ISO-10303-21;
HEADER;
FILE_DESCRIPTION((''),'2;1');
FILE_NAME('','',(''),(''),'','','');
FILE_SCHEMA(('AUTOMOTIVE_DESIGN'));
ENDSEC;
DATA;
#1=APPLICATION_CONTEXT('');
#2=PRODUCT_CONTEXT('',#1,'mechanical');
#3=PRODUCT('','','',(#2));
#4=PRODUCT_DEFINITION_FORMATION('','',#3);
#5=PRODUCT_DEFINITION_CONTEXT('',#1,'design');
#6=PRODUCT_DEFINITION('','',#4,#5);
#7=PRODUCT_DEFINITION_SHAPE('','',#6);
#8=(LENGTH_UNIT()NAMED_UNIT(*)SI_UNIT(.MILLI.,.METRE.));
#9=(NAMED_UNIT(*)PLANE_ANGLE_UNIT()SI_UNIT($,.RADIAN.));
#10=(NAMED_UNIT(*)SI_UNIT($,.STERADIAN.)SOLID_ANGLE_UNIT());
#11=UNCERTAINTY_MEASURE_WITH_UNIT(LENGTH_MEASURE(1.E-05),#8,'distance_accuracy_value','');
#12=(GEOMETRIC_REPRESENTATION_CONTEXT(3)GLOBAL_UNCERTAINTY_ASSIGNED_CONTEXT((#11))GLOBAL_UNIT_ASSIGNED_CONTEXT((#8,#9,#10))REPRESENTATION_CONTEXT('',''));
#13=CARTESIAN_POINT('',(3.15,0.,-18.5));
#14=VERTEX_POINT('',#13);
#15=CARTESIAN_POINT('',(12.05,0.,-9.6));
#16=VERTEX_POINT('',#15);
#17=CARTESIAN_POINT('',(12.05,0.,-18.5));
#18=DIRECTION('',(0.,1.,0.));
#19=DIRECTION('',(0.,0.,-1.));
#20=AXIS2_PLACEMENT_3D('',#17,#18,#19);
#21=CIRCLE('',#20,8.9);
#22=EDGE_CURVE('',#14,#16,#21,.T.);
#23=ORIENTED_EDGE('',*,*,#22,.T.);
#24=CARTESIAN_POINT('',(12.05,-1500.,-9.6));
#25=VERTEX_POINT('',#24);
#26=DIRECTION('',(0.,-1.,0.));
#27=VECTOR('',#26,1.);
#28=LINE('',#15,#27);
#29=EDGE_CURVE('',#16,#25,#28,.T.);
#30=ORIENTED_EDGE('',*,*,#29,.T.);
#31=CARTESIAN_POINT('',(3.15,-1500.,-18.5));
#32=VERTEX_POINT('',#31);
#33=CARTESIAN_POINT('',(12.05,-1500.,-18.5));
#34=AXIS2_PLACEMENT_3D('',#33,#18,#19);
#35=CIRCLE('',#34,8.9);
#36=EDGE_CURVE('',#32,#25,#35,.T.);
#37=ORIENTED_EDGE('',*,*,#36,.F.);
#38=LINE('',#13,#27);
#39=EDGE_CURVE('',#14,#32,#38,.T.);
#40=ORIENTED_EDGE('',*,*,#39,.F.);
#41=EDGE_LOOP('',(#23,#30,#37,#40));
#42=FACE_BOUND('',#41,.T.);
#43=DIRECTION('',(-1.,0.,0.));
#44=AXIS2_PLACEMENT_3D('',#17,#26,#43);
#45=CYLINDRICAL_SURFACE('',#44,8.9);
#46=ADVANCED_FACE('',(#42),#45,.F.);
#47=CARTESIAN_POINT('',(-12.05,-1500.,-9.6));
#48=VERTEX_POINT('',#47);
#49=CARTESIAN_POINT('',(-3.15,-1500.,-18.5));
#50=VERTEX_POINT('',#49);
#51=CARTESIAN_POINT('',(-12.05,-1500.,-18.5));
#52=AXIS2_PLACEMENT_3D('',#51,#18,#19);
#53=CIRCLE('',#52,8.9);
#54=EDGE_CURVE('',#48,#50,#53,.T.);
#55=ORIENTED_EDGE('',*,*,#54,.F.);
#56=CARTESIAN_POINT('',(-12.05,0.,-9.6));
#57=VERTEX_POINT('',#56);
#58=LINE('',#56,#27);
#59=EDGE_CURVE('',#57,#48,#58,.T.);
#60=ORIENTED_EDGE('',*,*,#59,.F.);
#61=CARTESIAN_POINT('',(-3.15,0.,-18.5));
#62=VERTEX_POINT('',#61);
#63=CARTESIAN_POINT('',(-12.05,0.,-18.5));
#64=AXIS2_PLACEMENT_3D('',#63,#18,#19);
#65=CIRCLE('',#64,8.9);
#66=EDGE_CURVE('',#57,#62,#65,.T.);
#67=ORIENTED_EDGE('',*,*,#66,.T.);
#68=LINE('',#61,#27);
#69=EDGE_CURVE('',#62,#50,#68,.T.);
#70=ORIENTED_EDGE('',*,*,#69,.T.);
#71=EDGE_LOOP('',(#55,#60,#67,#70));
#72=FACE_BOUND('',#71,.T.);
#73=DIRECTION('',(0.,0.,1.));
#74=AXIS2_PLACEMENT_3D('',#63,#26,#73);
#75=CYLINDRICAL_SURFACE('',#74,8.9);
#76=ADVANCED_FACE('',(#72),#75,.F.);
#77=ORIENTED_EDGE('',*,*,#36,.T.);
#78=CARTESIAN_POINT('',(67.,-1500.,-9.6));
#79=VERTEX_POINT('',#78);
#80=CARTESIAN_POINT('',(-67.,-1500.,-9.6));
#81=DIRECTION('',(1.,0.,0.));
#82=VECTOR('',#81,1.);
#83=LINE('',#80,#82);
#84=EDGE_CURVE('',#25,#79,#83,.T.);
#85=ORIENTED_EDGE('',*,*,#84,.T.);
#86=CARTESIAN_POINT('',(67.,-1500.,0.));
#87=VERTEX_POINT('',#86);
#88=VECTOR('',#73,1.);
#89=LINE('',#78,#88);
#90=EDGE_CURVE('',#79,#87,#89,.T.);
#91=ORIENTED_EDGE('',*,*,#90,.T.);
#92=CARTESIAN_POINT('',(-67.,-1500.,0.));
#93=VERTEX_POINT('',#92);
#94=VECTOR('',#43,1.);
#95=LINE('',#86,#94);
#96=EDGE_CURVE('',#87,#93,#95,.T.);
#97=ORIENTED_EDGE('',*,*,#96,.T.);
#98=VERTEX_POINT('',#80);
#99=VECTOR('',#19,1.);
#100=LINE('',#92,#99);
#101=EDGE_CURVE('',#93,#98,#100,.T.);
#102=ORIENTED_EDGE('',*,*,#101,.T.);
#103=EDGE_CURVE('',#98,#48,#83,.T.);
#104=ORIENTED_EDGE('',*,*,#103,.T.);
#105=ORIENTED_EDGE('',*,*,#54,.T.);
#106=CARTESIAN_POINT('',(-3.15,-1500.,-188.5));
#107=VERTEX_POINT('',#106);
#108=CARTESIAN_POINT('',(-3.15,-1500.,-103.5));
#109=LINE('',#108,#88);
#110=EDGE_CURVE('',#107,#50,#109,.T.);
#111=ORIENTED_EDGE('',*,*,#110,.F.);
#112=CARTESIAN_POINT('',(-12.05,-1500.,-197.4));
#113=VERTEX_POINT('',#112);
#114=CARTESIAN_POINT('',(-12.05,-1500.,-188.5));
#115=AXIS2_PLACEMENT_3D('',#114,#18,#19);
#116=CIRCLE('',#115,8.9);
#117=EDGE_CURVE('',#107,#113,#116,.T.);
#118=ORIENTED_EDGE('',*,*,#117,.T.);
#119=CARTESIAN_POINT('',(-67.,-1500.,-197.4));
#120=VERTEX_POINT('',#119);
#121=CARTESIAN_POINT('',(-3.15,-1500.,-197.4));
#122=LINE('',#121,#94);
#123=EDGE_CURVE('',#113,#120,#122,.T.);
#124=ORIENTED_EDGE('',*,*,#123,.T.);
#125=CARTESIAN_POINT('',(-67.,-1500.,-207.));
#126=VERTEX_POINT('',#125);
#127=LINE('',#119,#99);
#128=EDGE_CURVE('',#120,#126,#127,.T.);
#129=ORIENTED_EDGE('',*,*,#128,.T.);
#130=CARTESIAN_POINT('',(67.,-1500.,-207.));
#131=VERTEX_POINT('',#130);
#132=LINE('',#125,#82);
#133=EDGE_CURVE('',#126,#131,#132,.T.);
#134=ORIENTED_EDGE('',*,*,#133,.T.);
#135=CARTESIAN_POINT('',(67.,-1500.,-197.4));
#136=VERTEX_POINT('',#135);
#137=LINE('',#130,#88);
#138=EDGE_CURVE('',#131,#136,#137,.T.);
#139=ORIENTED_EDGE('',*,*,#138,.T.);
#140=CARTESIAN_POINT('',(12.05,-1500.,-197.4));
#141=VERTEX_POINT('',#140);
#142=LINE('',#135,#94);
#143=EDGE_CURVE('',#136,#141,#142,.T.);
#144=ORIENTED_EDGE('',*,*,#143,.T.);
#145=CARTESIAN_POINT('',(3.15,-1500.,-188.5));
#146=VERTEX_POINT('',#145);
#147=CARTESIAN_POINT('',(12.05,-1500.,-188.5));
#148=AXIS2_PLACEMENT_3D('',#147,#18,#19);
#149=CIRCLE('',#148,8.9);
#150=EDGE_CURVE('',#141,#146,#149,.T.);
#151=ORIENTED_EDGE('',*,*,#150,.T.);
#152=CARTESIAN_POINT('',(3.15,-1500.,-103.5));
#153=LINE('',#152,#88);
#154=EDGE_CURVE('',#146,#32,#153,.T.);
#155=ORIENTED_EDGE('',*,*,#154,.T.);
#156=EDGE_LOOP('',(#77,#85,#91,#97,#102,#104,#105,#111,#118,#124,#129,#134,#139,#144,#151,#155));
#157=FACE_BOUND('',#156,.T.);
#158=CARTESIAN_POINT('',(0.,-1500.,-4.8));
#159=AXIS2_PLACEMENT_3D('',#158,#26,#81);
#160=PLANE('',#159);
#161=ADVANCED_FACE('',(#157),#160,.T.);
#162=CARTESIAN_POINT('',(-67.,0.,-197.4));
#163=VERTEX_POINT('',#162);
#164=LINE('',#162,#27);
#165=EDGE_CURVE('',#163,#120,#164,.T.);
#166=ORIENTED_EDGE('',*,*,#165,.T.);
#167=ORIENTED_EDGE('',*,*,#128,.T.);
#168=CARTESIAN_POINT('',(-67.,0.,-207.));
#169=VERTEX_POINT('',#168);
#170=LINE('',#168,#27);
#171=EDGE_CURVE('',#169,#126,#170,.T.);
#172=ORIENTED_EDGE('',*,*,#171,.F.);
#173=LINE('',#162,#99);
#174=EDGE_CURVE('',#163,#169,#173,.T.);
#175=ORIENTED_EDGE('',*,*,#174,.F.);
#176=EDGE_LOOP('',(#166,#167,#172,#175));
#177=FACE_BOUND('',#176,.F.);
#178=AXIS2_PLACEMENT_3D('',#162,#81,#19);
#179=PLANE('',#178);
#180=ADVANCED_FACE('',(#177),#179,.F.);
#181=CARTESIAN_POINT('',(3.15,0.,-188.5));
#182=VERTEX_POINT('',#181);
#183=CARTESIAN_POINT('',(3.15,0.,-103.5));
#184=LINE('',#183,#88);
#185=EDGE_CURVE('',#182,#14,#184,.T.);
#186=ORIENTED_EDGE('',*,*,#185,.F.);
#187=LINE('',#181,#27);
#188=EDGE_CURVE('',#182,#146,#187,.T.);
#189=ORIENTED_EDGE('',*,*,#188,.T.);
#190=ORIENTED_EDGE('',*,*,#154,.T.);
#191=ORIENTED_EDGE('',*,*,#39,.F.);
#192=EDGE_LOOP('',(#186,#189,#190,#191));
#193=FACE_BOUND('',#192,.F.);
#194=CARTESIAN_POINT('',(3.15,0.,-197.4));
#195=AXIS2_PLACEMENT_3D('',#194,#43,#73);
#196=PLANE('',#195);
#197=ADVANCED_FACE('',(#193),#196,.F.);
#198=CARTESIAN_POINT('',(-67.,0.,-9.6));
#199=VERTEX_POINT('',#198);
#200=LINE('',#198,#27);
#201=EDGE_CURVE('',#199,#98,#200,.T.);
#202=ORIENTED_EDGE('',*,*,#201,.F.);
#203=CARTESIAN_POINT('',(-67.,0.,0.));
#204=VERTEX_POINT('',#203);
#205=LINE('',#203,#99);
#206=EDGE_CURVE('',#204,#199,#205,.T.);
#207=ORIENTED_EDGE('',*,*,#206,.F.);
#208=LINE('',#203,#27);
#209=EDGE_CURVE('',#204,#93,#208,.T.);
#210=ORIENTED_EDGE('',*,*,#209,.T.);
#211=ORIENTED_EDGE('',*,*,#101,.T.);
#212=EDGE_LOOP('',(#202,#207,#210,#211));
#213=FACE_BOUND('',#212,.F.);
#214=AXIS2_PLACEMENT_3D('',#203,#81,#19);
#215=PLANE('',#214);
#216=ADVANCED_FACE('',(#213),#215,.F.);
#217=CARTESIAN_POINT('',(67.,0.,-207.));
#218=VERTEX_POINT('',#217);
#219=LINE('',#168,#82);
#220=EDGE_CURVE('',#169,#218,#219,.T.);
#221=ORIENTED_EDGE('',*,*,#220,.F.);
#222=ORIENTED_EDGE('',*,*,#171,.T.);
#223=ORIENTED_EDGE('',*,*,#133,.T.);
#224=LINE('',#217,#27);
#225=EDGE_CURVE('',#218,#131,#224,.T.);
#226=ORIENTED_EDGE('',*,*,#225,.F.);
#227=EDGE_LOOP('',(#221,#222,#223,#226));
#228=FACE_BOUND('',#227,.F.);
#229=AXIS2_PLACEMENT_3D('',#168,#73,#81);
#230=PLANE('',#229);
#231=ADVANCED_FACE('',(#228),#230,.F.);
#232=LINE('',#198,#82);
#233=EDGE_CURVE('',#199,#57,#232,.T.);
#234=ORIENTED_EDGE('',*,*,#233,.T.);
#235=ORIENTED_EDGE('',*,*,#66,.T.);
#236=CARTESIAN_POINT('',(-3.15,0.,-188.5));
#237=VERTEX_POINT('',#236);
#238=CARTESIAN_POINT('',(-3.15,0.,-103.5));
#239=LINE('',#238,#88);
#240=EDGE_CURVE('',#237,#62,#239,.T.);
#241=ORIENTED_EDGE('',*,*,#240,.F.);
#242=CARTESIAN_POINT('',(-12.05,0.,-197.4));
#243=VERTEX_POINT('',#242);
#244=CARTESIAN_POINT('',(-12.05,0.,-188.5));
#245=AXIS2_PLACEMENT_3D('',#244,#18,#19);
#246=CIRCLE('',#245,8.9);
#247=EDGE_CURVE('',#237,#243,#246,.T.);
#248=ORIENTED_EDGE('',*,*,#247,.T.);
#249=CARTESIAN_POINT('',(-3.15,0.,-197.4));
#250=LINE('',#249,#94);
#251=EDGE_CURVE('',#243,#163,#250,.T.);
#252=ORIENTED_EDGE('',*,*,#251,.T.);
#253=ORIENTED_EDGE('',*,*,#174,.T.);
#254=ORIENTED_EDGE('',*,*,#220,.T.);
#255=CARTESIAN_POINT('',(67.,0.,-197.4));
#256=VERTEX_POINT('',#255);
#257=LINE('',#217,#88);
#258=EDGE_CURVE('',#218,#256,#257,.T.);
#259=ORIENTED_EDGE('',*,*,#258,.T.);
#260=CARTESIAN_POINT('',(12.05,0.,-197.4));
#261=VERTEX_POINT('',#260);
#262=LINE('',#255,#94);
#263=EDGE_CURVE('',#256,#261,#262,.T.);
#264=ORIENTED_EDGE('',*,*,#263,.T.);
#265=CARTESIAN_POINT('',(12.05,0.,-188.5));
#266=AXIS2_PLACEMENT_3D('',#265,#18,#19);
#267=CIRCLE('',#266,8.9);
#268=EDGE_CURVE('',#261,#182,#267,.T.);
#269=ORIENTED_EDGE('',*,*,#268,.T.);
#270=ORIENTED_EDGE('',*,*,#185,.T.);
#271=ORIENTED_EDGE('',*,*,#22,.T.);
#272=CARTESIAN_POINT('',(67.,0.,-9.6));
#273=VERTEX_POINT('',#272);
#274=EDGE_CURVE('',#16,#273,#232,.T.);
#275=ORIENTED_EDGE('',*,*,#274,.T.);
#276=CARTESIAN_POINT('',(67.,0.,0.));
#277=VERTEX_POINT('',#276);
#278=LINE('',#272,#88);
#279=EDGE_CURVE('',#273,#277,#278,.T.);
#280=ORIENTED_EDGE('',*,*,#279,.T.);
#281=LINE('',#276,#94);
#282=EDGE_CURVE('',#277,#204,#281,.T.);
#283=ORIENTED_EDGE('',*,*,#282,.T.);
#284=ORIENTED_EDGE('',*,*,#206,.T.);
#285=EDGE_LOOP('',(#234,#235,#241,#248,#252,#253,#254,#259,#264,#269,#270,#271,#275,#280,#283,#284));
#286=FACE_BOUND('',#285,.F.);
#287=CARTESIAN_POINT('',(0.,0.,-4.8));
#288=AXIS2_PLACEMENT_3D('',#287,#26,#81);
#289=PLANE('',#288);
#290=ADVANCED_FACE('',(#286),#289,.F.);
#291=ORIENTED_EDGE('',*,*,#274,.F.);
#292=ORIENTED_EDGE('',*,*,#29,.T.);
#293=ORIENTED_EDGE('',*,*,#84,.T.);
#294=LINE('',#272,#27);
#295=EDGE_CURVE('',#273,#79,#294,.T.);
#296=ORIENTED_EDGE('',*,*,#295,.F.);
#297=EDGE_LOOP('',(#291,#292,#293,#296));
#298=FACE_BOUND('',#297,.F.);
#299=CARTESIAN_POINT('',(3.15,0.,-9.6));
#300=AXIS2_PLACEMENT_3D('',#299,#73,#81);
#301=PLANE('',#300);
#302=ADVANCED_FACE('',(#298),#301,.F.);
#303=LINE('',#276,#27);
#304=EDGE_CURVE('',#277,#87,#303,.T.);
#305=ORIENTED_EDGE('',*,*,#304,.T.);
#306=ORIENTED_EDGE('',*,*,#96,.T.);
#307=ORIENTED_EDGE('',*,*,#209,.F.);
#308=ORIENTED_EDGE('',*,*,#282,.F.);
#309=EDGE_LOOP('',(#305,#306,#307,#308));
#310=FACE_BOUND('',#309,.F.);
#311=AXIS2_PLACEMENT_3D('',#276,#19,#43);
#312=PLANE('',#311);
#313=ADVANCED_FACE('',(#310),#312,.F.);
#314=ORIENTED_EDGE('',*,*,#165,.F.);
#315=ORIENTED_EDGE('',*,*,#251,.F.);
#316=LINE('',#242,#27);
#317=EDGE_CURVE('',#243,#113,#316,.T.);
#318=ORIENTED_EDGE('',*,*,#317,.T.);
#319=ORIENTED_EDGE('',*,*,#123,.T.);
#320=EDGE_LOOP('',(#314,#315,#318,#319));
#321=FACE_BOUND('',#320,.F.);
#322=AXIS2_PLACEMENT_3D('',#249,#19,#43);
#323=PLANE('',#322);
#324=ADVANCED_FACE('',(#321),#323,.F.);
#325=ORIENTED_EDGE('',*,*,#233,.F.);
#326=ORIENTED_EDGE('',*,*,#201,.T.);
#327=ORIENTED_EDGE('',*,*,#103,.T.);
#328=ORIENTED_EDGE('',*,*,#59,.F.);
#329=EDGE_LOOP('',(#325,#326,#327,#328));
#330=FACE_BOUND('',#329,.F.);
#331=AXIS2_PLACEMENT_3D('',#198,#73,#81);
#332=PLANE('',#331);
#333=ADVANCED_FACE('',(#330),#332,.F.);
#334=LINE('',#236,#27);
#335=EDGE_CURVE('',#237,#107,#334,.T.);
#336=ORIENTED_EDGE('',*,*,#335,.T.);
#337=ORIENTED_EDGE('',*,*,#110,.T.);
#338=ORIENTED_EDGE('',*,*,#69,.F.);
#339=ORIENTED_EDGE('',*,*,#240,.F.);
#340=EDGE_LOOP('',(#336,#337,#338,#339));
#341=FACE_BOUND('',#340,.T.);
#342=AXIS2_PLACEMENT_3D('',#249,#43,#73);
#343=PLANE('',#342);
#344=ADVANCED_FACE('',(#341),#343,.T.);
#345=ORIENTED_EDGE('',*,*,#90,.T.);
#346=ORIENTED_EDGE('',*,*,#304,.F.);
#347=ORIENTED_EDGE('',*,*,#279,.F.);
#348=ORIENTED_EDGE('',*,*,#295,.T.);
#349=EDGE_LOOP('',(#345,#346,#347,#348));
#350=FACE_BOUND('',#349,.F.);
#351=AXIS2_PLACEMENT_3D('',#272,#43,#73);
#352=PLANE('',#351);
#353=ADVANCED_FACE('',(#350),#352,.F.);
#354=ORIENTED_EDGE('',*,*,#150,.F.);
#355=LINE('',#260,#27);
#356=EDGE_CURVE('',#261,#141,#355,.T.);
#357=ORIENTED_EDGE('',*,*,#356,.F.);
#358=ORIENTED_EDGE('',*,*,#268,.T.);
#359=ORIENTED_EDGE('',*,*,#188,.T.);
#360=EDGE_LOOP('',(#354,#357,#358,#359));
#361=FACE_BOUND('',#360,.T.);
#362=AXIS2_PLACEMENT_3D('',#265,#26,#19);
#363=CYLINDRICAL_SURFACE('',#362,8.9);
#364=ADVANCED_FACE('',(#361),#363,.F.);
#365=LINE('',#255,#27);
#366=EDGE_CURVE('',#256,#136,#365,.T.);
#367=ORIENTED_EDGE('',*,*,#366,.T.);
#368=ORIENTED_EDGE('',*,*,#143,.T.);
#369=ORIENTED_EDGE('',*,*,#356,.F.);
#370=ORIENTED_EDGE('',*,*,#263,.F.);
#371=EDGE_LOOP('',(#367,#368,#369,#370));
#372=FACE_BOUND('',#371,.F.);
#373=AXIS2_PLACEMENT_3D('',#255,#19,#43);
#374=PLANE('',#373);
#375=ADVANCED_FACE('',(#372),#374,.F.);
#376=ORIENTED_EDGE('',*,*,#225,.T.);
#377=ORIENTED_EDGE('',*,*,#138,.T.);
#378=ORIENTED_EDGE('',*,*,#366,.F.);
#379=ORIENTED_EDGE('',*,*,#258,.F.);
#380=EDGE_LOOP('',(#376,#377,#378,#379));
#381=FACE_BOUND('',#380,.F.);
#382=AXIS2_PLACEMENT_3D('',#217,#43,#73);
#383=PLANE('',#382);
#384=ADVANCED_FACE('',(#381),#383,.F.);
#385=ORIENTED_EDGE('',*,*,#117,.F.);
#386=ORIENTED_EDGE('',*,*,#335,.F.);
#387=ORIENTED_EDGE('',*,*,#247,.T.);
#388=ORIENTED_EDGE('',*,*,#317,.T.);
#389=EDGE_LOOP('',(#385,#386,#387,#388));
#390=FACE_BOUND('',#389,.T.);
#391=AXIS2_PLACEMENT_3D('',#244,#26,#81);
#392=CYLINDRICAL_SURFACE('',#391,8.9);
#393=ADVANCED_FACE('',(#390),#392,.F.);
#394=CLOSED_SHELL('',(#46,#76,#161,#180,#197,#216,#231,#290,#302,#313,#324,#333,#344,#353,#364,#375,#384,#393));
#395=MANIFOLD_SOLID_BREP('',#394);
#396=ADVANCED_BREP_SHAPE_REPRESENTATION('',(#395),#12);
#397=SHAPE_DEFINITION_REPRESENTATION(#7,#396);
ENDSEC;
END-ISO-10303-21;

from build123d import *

# Parameters (mm, degrees)
F1_W     = 6.3
F1_H     = 187.8
F2_DEPTH = 1500
F3_R     = 8.9


with BuildPart() as f2:
    # F1 (on Front) → F2 (new body)
    with BuildSketch(Plane.XZ):
        Polygon((67, 0), (-67, 0), (-67, -9.6), (-3.15, -9.6), (3.15, -9.6), (67, -9.6), align=None)
        with Locations((0, -103.5)):
            Rectangle(F1_W, F1_H)
        Polygon((3.15, -197.4), (-3.15, -197.4), (-67, -197.4), (-67, -207), (67, -207), (67, -197.4), align=None)
    extrude(amount=F2_DEPTH)

    # F3
    f3_edges = [f2.edges().sort_by_distance(p)[0] for p in [
        (3.15, -750, -9.6),
        (-3.15, -750, -9.6),
        (3.15, -750, -197.4),
        (-3.15, -750, -197.4),
    ]]
    fillet(f3_edges, radius=F3_R)


solid = f2.part
